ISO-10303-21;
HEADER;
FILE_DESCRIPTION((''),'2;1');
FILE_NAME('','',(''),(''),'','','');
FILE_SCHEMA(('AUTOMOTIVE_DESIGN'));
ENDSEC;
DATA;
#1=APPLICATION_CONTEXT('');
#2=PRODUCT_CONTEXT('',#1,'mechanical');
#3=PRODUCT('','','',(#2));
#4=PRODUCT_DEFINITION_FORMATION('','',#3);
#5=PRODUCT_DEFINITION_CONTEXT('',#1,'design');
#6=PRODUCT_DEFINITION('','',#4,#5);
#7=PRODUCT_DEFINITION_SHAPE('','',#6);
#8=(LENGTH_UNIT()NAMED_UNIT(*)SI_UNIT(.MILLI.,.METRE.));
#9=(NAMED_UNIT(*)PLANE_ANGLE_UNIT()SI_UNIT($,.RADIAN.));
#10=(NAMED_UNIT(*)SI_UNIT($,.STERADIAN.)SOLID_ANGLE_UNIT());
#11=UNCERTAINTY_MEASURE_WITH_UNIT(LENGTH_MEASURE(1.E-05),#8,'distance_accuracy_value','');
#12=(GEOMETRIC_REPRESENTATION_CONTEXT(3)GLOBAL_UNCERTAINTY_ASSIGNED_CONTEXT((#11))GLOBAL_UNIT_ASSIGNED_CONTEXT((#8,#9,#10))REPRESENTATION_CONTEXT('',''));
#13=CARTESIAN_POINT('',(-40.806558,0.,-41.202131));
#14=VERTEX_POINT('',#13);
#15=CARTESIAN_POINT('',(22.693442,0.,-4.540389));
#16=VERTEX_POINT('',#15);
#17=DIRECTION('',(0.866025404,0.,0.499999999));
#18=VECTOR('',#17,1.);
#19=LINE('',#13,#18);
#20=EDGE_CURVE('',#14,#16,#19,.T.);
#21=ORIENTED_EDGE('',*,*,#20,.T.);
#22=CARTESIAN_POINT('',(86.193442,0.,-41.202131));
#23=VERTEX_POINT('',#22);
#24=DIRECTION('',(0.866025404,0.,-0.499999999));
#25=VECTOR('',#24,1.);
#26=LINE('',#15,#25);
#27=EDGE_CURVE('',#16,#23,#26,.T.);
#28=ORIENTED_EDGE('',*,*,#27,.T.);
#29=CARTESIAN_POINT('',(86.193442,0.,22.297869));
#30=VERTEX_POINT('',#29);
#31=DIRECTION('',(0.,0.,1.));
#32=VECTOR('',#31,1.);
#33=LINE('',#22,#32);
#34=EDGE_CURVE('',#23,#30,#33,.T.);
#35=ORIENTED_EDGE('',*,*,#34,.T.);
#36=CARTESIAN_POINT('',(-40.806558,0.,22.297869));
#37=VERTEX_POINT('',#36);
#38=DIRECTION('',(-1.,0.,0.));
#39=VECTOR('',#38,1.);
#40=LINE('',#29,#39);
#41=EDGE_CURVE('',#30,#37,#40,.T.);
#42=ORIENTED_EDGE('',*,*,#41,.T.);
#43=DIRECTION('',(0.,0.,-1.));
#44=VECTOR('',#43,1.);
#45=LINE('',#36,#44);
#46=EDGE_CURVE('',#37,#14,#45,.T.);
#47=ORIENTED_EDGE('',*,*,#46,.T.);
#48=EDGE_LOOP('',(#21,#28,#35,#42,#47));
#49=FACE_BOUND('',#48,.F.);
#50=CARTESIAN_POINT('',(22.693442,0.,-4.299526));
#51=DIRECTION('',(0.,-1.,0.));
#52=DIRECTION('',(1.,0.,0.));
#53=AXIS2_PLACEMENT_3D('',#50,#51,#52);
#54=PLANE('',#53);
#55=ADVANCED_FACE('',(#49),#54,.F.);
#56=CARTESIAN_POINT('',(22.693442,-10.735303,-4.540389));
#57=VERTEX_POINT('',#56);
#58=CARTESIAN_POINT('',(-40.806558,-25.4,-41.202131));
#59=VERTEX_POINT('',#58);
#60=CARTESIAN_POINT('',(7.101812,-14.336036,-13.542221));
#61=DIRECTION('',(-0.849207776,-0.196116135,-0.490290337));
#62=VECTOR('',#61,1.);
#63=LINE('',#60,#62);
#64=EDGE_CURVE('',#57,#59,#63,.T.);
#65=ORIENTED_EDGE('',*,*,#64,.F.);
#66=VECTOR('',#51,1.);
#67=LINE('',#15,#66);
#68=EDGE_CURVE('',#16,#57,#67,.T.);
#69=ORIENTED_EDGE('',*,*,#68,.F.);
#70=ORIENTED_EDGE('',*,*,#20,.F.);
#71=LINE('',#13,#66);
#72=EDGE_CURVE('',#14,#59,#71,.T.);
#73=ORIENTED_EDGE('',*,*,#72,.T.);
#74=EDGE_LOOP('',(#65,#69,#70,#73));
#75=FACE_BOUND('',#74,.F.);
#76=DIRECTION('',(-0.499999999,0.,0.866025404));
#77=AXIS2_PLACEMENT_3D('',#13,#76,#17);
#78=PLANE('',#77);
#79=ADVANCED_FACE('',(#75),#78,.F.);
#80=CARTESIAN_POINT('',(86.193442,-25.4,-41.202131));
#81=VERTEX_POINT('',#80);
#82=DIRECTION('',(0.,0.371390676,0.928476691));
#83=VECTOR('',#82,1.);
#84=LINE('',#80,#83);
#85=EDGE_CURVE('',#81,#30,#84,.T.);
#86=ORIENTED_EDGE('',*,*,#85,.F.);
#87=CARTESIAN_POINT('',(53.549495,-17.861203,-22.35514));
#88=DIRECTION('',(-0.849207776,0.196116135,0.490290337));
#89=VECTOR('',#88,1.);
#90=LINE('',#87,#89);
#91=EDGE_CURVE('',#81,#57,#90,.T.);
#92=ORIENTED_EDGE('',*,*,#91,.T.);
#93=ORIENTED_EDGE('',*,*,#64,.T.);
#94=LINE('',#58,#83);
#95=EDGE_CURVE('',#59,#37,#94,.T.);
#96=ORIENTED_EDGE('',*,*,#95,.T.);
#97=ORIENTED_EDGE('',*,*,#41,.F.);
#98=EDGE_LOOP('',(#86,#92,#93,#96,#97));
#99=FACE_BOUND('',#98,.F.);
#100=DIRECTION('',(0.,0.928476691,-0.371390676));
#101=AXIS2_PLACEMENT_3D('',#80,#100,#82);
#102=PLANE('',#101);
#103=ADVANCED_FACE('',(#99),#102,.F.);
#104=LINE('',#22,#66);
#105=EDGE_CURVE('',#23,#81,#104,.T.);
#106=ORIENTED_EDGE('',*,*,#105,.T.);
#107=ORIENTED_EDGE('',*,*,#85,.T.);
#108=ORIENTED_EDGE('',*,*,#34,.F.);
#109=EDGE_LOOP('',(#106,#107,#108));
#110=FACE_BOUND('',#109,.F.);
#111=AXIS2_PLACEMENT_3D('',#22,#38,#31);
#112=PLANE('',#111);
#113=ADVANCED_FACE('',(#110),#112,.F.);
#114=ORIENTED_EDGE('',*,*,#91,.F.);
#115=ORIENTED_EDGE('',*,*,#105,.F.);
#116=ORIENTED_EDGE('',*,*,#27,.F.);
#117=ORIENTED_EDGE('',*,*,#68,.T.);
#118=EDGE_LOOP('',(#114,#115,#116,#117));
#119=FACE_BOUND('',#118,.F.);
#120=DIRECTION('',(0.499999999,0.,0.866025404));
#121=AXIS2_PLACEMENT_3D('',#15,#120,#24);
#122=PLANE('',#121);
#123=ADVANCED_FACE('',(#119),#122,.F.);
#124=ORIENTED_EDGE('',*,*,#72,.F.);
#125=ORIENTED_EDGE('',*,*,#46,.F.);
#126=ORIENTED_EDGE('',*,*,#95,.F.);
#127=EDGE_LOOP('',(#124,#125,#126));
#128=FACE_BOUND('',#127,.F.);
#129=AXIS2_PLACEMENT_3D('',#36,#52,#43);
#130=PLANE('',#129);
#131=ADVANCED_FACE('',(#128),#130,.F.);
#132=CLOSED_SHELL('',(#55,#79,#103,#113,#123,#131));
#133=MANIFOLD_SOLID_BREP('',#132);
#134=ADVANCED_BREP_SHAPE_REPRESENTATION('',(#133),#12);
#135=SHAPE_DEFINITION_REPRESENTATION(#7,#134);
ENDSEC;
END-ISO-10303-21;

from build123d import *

# Parameters (mm, degrees)
F1_DEPTH = 25.4
F3_DEPTH = 127


with BuildPart() as f1:
    # F0 (on Front) → F1 (new body)
    with BuildSketch(Plane.XZ):
        Polygon((86.193442, 22.297869), (-40.806558, 22.297869), (-40.806558, -41.202131), (22.693442, -4.540389), (86.193442, -41.202131), align=None)
    extrude(amount=F1_DEPTH)

    # F2 (on face) → F3 (cut)
    with BuildSketch(Plane.YZ.offset(86.193442)):
        Polygon((-25.4, 22.297869), (-25.4, -41.202131), (0, 22.297869), align=None)
    extrude(amount=-F3_DEPTH, mode=Mode.SUBTRACT)


solid = f1.part
